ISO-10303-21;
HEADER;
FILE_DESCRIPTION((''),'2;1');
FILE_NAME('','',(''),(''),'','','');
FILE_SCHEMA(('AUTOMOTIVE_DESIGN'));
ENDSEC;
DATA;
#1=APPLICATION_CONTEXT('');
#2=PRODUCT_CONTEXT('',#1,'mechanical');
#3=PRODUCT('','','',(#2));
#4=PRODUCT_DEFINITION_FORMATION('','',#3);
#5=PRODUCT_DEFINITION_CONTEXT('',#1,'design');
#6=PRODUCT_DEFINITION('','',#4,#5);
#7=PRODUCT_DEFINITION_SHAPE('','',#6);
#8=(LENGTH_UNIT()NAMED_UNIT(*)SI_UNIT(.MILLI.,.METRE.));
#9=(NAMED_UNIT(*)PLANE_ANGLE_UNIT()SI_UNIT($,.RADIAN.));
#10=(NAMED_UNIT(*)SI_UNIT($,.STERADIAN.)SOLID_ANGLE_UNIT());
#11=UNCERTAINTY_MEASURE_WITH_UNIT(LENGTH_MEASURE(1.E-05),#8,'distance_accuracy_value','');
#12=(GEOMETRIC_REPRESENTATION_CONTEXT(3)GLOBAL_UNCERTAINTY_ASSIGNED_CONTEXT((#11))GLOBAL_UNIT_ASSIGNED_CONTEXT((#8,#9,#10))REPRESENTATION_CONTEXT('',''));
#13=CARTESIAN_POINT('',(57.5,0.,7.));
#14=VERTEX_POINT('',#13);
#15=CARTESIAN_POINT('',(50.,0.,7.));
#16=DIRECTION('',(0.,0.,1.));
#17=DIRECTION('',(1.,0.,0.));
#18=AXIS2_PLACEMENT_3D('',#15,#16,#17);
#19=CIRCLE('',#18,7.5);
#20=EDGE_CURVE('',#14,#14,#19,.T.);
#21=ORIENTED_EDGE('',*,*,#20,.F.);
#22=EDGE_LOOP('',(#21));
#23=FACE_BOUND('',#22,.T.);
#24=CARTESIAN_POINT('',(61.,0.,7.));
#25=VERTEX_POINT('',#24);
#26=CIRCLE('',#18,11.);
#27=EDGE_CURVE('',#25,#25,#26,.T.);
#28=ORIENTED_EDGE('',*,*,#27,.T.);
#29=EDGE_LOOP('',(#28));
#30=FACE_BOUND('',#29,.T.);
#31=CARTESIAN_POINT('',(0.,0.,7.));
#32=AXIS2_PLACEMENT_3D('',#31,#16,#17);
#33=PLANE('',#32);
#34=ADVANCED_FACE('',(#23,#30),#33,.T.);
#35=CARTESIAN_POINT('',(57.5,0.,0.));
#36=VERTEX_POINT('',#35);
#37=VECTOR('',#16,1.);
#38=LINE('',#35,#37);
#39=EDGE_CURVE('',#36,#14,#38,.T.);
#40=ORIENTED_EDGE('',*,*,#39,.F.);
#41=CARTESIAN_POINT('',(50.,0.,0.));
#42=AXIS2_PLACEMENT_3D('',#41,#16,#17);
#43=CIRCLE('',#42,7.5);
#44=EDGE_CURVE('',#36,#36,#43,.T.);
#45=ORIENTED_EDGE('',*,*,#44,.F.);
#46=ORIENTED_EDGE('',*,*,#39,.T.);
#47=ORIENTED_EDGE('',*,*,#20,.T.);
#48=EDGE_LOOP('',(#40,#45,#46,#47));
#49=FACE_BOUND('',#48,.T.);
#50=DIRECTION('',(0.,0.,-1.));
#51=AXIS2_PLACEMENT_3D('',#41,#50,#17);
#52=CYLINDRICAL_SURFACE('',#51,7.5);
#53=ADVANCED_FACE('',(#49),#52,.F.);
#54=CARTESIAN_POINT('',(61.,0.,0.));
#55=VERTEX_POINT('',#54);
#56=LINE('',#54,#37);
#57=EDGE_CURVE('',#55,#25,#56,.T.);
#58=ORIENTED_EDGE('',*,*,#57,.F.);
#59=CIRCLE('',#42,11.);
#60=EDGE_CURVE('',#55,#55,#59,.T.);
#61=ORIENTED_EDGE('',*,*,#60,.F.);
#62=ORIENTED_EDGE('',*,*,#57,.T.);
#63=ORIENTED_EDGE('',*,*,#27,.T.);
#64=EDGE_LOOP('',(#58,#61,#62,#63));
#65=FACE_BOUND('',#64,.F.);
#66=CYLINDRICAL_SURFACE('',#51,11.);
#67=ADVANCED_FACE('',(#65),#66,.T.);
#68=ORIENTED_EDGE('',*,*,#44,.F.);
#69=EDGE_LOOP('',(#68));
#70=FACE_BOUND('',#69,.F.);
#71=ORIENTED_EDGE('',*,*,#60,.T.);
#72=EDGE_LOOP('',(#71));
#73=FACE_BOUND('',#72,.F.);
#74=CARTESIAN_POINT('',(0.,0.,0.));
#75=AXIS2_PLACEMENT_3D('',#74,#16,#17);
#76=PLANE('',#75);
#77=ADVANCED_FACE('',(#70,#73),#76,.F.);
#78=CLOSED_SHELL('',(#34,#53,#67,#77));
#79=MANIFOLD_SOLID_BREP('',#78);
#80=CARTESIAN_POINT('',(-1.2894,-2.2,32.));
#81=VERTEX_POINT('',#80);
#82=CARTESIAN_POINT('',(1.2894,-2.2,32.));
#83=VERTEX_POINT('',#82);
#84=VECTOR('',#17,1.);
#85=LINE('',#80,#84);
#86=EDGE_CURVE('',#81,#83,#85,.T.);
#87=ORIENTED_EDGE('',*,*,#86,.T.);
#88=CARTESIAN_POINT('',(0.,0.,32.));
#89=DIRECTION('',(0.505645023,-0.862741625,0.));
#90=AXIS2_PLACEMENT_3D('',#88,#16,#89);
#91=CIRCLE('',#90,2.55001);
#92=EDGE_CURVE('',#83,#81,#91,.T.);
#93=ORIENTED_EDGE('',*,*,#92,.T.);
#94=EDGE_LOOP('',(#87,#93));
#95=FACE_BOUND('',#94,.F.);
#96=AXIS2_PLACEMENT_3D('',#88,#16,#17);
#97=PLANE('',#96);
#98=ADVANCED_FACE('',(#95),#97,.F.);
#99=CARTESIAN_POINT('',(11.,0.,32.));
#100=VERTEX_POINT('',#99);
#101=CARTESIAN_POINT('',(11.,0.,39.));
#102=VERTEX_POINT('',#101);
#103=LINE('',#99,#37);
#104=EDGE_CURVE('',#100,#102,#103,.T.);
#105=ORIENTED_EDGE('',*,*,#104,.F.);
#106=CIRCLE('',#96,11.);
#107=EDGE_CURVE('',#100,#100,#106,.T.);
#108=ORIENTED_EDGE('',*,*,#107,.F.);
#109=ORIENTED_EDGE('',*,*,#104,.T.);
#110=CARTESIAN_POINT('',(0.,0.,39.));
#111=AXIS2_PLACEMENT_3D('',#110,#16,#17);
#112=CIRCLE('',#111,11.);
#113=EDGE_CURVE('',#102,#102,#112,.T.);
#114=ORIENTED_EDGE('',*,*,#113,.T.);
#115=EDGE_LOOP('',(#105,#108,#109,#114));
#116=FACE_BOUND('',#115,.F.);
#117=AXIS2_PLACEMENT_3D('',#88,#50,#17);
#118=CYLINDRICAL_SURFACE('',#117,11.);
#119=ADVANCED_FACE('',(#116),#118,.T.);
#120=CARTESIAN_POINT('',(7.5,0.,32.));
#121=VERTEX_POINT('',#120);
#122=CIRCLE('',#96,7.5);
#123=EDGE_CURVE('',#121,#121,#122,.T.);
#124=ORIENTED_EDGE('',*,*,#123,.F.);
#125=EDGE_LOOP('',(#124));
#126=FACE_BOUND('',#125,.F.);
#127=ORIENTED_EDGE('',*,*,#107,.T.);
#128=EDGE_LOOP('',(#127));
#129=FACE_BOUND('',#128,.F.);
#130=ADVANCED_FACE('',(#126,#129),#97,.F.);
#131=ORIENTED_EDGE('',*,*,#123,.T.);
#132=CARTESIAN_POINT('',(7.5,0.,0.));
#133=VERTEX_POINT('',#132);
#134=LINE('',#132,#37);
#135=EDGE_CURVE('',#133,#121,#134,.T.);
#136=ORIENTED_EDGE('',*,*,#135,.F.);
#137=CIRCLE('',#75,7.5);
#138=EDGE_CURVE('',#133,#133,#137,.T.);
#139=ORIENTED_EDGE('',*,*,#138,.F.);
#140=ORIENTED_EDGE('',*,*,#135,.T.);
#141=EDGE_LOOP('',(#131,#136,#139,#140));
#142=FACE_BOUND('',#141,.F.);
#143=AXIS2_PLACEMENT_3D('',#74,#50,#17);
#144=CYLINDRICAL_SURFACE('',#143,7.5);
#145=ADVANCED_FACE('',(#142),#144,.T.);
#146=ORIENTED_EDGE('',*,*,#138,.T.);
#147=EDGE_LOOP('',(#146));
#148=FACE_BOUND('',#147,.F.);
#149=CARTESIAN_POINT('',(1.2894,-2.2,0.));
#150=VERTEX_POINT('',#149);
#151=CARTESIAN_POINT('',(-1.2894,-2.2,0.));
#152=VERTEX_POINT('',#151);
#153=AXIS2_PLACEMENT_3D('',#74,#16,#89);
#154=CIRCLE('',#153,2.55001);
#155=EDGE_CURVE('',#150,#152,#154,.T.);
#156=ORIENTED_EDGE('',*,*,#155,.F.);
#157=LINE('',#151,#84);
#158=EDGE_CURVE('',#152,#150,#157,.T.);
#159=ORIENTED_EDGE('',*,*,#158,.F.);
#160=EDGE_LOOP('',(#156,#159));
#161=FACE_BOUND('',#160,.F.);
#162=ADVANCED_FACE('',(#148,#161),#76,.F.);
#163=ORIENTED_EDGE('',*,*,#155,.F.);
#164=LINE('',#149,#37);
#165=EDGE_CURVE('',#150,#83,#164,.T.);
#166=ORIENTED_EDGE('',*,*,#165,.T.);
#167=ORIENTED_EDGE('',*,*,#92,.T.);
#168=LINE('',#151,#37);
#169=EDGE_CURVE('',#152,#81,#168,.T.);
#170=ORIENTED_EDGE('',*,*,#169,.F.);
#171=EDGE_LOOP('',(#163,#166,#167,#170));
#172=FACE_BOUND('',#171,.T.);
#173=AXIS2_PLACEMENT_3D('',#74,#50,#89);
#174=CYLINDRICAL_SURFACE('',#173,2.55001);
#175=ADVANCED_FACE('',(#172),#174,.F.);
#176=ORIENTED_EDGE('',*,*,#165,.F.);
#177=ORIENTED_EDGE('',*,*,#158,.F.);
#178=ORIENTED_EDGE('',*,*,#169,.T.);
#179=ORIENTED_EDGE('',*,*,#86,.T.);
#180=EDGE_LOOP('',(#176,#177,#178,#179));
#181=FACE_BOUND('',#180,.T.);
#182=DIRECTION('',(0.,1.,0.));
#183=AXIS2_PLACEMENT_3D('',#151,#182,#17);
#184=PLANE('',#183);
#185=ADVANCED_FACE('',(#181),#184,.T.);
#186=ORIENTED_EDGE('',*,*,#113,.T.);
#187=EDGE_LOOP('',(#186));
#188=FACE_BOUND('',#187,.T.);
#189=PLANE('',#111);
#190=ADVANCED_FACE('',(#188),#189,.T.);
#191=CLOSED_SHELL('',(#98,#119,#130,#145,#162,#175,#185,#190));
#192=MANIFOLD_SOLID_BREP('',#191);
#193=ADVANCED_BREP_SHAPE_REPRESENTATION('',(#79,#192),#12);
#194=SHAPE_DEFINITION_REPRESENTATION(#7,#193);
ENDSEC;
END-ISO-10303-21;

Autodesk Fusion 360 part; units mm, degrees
sketch "Sketch1" plane through (0, 0, 0) normal (0, 0, 1) x (1, 0, 0)
  line L0 (0, 0) -> (0, -2.6) construction
  line L1 (0, -2.6) -> (0, -2.2) construction
  line L2 (-1.2894, -2.2) -> (1.2894, -2.2)
  arc A0 (1.2894, -2.2) -> (-1.2894, -2.2) centre (0, 0) ccw
  circle A1 centre (0, 0) radius 7.5
  dimension "d34" = 5.1
  dimension "d36" = 0.4
  dimension "d37" = 15
extrude "Extrude9" add sketch "Sketch1" along normal blind 32 makes body 1
ref_plane "WorkPlane3" through (0, 0, 32) normal (0, 0, 1) x (1, 0, 0)
sketch "Sketch4" plane through (0, 0, 32) normal (0, 0, 1) x (1, 0, 0)
  circle A0 centre (0, 0) radius 11
  dimension "d41" = 22
extrude "Extrude10" add sketch "Sketch4" along normal blind 7 bodies 1
sketch "Sketch5" plane through (0, 0, 0) normal (0, 0, 1) x (1, 0, 0)
  line L0 (0, 0) -> (50, 0) construction
  circle A0 centre (50, 0) radius 7.5
  circle A1 centre (50, 0) radius 11
  dimension "d44" = 50
  dimension "d45" = 15
  dimension "d46" = 22
extrude "Extrude11" add sketch "Sketch5" along normal blind 7 separate body makes body 2
equation "holder_diameter = 15 mm"
equation "hole_diameter = 5.1 mm"
equation "indent_size = 0.4 mm"
equation "washer_height = 10 mm"
equation "metal_pole_height = 15 mm"
equation "wheel_thickness = 24 mm"
equation "wheel_hold_diameter = 8.1 mm"
equation "outside_wheel_cap_diameter = 22 mm"
equation "cap_thickness = 7 mm"
equation "d34 = hole_diameter"
equation "d36 = indent_size"
equation "d37 = holder_diameter"
equation "d38 = metal_pole_height + wheel_thickness - cap_thickness"
equation "d40 = metal_pole_height + wheel_thickness - cap_thickness"
equation "d41 = outside_wheel_cap_diameter"
equation "d42 = cap_thickness"
equation "d45 = holder_diameter"
equation "d46 = outside_wheel_cap_diameter"
equation "d47 = cap_thickness"
